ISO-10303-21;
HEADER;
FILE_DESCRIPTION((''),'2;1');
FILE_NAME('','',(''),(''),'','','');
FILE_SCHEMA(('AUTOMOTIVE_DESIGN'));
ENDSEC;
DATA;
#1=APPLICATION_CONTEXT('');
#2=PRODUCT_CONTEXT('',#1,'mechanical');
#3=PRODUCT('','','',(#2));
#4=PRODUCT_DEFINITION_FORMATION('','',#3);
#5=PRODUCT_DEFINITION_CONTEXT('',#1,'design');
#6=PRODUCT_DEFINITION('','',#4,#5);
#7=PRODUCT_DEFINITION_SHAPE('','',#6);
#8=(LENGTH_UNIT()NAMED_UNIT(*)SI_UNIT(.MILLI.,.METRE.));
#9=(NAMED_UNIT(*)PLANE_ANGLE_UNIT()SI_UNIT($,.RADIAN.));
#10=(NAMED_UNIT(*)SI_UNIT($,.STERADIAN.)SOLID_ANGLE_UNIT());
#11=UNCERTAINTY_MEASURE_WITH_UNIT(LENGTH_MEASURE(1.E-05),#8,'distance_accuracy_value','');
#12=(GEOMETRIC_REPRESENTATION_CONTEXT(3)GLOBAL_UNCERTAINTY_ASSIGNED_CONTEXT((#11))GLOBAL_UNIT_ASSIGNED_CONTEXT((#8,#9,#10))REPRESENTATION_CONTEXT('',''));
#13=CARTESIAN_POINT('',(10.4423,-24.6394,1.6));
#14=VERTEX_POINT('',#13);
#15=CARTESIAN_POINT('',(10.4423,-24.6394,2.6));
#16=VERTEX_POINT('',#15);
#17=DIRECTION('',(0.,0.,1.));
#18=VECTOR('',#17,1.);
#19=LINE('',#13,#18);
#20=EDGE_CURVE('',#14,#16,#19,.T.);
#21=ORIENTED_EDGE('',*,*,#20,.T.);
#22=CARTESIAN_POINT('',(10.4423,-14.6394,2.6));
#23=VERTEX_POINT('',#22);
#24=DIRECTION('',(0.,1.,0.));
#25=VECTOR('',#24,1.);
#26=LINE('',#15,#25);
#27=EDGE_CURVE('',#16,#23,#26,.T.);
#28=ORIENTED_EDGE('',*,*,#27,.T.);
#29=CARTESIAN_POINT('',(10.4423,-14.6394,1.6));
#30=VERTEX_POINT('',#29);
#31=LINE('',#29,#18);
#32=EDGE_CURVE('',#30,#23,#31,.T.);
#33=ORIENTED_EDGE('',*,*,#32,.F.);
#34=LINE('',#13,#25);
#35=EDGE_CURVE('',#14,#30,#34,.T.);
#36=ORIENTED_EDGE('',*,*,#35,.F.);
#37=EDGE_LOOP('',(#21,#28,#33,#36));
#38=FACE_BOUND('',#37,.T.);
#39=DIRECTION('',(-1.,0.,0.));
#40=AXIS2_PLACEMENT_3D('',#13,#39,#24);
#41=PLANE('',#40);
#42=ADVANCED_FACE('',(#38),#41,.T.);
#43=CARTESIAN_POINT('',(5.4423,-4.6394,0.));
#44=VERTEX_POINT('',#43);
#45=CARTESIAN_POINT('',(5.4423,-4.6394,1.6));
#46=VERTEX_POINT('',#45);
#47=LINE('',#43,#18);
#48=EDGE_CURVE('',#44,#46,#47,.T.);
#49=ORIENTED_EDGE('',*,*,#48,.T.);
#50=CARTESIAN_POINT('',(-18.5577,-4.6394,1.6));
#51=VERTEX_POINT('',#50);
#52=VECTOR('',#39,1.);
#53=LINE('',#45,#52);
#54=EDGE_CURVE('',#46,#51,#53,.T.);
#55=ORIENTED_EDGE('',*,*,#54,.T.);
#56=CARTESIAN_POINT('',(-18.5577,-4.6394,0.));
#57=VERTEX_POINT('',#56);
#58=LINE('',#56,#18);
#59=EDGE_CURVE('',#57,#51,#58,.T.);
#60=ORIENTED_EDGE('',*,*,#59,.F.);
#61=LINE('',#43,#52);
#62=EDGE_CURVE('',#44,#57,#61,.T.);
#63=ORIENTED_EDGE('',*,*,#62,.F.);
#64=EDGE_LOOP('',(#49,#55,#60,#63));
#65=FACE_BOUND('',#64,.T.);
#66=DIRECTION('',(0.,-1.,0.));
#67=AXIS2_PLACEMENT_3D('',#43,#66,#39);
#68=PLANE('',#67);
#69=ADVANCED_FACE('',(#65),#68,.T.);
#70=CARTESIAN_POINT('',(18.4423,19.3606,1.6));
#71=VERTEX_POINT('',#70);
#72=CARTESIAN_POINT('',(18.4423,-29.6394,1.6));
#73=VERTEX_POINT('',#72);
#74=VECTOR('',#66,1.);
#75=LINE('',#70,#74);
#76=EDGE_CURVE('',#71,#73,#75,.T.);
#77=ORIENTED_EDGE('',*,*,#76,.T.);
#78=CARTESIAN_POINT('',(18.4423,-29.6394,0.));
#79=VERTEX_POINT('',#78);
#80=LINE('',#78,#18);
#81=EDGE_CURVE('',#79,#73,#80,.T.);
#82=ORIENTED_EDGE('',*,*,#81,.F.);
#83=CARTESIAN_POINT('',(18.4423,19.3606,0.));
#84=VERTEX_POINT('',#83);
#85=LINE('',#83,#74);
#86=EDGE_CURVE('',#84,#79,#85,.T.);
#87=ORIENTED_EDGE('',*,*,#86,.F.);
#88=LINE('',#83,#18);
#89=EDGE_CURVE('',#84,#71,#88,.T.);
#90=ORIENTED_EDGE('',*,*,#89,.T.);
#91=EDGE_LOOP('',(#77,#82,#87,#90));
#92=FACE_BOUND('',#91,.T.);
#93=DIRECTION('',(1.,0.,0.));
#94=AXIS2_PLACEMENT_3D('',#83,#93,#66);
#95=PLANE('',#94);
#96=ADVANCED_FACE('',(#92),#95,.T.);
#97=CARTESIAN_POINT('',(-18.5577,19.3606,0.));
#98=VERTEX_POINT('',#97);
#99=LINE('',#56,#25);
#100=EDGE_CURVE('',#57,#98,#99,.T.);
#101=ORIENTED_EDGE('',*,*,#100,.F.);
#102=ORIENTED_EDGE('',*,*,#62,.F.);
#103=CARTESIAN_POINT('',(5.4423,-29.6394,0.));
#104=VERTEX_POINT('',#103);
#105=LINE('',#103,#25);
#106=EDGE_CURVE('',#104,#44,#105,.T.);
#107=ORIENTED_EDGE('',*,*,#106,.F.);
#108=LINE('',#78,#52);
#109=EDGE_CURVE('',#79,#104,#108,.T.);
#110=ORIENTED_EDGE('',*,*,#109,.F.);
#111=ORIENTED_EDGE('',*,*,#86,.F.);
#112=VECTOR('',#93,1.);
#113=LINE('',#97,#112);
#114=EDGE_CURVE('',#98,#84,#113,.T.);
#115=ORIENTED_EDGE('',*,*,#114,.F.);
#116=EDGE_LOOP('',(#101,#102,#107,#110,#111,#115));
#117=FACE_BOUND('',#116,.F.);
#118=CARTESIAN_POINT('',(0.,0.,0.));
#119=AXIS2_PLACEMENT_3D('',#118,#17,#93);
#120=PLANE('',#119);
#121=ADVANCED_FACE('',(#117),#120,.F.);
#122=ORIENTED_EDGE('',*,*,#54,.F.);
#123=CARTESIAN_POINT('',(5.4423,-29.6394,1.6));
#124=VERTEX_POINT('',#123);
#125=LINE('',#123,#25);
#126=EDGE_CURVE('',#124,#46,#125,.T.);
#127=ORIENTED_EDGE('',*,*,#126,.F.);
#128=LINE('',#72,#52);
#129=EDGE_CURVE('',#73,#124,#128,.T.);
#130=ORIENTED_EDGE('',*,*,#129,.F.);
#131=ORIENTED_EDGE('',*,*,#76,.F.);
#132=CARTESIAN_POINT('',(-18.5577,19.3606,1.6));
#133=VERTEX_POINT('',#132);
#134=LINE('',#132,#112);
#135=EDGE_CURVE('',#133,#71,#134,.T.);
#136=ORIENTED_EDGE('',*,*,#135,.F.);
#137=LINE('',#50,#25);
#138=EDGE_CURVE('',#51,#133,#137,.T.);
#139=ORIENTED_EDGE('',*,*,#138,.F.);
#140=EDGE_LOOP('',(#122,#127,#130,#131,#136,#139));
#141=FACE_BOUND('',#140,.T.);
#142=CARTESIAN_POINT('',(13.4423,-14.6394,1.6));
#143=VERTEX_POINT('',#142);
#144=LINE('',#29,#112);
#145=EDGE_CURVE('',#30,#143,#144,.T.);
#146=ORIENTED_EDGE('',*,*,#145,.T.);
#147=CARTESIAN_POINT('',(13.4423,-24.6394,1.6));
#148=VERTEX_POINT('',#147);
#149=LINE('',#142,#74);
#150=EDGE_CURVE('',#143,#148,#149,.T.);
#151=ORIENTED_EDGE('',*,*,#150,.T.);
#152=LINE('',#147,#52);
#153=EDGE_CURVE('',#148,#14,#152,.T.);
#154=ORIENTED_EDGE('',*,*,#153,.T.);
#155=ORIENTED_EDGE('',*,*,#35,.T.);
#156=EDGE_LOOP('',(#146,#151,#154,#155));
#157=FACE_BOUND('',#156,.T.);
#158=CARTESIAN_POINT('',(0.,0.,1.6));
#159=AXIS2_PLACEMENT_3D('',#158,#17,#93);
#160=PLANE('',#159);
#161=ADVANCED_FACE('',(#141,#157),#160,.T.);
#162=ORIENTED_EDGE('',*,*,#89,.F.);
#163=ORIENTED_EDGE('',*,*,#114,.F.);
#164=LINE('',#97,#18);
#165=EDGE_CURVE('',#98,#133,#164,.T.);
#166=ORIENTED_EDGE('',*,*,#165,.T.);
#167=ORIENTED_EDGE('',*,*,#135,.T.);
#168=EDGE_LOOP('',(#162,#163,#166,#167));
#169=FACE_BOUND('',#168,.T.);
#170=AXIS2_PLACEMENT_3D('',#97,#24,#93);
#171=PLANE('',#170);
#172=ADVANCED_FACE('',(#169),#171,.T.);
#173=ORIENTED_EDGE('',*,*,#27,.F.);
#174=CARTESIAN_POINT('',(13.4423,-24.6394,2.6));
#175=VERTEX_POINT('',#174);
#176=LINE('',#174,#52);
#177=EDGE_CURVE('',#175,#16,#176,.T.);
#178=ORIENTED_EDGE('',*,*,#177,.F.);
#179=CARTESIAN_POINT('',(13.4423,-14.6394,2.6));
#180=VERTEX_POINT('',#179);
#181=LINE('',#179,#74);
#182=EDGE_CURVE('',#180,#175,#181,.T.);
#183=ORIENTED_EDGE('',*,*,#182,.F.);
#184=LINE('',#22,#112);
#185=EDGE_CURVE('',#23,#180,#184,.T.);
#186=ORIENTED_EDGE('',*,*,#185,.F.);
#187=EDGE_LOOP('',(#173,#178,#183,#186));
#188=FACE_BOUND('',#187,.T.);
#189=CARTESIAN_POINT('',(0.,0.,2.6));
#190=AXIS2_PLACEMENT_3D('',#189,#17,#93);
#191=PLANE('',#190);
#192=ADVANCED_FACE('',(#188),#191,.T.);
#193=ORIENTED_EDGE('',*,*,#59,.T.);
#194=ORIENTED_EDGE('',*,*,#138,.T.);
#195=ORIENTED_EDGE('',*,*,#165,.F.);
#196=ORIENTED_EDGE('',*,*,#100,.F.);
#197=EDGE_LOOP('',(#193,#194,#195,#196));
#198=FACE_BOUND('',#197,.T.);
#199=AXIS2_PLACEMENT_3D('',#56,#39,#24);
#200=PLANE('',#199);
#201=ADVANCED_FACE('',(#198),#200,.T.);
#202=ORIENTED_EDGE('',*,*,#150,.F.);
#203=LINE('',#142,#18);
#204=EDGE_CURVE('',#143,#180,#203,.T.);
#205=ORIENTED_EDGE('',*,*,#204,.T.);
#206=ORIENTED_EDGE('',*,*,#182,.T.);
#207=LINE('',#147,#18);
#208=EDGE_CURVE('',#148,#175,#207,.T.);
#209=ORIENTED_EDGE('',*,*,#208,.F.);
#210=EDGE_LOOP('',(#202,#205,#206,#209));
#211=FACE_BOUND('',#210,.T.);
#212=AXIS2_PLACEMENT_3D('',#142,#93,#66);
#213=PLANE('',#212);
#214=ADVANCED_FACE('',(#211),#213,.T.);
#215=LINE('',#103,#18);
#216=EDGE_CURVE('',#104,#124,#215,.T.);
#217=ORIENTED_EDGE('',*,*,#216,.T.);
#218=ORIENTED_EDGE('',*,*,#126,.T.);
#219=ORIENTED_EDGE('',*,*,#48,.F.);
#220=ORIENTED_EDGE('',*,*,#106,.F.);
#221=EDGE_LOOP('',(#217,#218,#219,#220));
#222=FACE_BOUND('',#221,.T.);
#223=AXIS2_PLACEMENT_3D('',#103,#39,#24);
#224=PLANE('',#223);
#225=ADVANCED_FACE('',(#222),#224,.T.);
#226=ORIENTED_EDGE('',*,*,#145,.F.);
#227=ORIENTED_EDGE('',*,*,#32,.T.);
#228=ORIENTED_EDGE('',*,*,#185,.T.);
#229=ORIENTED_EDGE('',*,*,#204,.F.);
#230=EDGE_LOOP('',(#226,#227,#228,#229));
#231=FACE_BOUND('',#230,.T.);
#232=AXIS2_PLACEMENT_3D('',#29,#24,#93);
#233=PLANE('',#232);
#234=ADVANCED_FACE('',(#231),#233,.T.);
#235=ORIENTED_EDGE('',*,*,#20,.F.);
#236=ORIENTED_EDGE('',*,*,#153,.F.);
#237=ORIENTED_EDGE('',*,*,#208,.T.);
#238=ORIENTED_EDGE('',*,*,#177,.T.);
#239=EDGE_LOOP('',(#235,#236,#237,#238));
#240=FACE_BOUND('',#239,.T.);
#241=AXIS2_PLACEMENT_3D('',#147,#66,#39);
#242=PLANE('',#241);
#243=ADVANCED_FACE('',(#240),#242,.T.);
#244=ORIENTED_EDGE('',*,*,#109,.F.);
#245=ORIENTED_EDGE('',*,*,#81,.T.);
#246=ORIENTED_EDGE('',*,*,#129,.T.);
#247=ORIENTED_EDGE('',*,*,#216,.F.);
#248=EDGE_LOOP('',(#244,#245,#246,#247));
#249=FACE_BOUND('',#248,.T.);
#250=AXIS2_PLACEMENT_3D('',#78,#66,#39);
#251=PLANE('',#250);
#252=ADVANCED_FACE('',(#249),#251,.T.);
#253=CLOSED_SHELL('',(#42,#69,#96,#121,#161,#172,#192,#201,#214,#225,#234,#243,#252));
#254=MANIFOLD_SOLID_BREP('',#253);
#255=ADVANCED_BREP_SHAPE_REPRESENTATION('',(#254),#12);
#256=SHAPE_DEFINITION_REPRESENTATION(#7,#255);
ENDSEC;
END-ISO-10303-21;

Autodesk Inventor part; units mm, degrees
ref_plane "YZ Plane" through (0, 0, 0) normal (1, 0, 0) x (0, 1, 0)
ref_plane "XZ Plane" through (0, 0, 0) normal (0, 1, 0) x (-1, 0, 0)
ref_plane "XY Plane" through (0, 0, 0) normal (0, 0, 1) x (1, 0, 0)
sketch "Sketch1" plane through (0, 0, 0) normal (0, 0, 1) x (1, 0, 0)
  line L0 (-18.5577, 19.3606) -> (18.4423, 19.3606)
  line L1 (18.4423, 19.3606) -> (18.4423, -29.6394)
  line L2 (18.4423, -29.6394) -> (5.4423, -29.6394)
  line L3 (5.4423, -29.6394) -> (5.4423, -4.6394)
  line L4 (5.4423, -4.6394) -> (-18.5577, -4.6394)
  line L5 (-18.5577, -4.6394) -> (-18.5577, 19.3606)
  point P0 (0, 0)
  dimension "d0" = 37
  dimension "d1" = 49
  dimension "d2" = 13
  dimension "d3" = 24
extrude "Extrusion1" add sketch "Sketch1" along normal blind 1.6
sketch "Sketch2" plane through (0, 0, 1.6) normal (0, 0, 1) x (1, 0, 0)
  line L0 (18.4423, 19.3606) -> (-18.5577, 19.3606) projected
  line L1 (-18.5577, 19.3606) -> (-18.5577, -4.6394) projected
  line L2 (-18.5577, -4.6394) -> (5.4423, -4.6394) projected
  line L3 (5.4423, -4.6394) -> (5.4423, -29.6394) projected
  line L4 (5.4423, -29.6394) -> (18.4423, -29.6394) projected
  line L5 (18.4423, -29.6394) -> (18.4423, 19.3606) projected
  line L6 (10.4423, -14.6394) -> (13.4423, -14.6394)
  line L7 (13.4423, -14.6394) -> (13.4423, -24.6394)
  line L8 (13.4423, -24.6394) -> (10.4423, -24.6394)
  line L9 (10.4423, -24.6394) -> (10.4423, -14.6394)
  point P0 (0, 0)
  dimension "d9" = 3
  dimension "d10" = 10
  dimension "d11" = 5
  dimension "d14" = 5
extrude "Extrusion2" add sketch "Sketch2" along normal blind 1 contours L6 L7 L8 L9
properties part number "sensores"
